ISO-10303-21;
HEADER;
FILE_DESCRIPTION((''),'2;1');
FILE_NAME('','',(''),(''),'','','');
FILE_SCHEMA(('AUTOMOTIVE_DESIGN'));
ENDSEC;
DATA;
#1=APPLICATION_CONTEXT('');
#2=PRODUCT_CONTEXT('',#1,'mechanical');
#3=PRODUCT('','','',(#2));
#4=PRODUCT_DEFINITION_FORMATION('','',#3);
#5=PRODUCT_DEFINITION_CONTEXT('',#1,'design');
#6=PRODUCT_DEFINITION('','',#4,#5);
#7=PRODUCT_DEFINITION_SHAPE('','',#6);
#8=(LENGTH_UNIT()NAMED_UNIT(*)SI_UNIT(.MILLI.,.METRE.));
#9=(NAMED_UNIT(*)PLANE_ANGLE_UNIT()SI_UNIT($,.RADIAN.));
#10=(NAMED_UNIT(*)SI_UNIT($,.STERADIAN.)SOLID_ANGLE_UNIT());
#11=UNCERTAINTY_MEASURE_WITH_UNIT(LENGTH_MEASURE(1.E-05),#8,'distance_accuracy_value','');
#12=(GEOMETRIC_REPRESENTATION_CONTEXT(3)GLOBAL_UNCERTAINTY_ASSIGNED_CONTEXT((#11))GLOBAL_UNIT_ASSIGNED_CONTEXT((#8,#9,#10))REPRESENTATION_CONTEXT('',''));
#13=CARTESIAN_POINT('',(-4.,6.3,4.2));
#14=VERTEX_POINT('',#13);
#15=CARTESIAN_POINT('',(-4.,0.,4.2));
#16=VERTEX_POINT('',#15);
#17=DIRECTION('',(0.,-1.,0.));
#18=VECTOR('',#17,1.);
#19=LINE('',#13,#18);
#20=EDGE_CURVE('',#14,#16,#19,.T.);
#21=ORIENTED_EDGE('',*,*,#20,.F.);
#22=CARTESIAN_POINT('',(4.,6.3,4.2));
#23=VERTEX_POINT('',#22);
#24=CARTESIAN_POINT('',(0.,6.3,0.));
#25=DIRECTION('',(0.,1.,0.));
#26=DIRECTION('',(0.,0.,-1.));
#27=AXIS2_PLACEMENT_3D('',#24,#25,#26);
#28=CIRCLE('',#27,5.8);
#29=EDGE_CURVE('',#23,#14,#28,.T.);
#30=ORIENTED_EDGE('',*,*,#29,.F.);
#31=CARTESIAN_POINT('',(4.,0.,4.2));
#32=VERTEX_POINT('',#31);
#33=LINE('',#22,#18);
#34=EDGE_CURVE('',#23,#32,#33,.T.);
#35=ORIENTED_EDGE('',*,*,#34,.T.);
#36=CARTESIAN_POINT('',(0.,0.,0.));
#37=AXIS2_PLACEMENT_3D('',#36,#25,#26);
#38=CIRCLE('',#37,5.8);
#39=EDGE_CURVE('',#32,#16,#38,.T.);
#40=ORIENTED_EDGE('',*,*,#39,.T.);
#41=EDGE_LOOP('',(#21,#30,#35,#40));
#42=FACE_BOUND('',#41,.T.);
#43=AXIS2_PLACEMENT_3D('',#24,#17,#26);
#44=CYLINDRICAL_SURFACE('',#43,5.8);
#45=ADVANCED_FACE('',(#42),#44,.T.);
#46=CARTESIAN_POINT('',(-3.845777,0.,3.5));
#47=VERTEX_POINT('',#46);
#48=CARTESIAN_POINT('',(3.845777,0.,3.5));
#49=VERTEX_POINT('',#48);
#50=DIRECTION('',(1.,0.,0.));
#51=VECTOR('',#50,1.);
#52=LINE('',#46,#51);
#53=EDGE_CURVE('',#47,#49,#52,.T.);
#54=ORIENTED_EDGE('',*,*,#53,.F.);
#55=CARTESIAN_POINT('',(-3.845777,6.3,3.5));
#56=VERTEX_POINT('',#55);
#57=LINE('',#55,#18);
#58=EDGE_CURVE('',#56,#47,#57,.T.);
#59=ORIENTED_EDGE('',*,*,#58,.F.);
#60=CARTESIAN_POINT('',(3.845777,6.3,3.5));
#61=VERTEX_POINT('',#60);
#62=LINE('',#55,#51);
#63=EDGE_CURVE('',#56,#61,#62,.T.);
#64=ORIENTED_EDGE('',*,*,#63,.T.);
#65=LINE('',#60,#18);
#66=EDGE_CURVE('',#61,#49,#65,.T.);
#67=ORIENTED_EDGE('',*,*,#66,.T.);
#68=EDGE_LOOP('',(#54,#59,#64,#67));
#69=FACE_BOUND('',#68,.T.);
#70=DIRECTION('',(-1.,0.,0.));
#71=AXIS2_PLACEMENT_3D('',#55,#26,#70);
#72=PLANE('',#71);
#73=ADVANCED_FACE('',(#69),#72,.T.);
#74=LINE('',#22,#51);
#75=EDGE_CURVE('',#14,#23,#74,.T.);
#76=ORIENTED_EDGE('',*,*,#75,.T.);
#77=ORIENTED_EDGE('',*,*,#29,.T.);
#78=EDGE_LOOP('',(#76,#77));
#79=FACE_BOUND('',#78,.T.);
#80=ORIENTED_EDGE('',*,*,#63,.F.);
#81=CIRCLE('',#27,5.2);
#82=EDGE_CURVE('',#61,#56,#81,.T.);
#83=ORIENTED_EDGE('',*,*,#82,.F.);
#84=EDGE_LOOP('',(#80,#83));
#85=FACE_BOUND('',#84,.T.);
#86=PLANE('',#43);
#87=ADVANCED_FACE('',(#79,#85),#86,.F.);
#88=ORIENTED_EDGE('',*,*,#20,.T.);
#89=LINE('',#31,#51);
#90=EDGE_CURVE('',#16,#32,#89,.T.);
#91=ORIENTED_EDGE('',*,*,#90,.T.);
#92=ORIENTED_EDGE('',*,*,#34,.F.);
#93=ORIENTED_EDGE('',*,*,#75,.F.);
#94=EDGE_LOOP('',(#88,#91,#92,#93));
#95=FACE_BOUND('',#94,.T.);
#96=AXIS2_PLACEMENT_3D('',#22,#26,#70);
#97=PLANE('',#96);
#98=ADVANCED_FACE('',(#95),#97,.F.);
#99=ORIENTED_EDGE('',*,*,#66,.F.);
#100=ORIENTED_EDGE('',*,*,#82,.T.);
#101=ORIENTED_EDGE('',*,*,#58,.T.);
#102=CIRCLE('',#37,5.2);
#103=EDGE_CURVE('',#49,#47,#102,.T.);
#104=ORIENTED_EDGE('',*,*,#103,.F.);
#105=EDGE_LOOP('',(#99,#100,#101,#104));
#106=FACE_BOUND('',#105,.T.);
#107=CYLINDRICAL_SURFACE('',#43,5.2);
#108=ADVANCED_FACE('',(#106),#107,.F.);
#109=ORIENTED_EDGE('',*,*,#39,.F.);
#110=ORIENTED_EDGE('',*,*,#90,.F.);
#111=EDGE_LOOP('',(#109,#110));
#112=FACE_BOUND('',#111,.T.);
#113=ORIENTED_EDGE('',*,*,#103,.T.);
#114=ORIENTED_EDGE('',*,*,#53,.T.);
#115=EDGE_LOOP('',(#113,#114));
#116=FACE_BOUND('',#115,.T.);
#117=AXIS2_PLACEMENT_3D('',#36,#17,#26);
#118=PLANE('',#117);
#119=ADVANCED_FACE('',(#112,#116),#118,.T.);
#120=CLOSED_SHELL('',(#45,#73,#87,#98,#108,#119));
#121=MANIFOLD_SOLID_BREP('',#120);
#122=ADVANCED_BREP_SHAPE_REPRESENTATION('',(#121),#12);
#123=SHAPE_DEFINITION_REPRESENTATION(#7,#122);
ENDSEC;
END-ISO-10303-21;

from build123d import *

# Parameters (mm, degrees)
BOSS_EXTRUDE1_DEPTH = 6.3


with BuildPart() as part:
    # Sketch2 → Boss-Extrude1 (new body)
    with BuildSketch(Plane(origin=(0, 0, 0), x_dir=(1, 0, 0), z_dir=(0, 1, 0))):
        with BuildLine():
            Line((4, -4.2), (-4, -4.2))
            ThreePointArc((-4, -4.2), (0, 5.8), (4, -4.2))
        make_face()
        with BuildLine():
            Line((-3.845776905, -3.5), (3.845776905, -3.5))
            ThreePointArc((3.845776905, -3.5), (0, 5.2), (-3.845776905, -3.5))
        make_face(mode=Mode.SUBTRACT)
    extrude(amount=BOSS_EXTRUDE1_DEPTH)


solid = part.part
